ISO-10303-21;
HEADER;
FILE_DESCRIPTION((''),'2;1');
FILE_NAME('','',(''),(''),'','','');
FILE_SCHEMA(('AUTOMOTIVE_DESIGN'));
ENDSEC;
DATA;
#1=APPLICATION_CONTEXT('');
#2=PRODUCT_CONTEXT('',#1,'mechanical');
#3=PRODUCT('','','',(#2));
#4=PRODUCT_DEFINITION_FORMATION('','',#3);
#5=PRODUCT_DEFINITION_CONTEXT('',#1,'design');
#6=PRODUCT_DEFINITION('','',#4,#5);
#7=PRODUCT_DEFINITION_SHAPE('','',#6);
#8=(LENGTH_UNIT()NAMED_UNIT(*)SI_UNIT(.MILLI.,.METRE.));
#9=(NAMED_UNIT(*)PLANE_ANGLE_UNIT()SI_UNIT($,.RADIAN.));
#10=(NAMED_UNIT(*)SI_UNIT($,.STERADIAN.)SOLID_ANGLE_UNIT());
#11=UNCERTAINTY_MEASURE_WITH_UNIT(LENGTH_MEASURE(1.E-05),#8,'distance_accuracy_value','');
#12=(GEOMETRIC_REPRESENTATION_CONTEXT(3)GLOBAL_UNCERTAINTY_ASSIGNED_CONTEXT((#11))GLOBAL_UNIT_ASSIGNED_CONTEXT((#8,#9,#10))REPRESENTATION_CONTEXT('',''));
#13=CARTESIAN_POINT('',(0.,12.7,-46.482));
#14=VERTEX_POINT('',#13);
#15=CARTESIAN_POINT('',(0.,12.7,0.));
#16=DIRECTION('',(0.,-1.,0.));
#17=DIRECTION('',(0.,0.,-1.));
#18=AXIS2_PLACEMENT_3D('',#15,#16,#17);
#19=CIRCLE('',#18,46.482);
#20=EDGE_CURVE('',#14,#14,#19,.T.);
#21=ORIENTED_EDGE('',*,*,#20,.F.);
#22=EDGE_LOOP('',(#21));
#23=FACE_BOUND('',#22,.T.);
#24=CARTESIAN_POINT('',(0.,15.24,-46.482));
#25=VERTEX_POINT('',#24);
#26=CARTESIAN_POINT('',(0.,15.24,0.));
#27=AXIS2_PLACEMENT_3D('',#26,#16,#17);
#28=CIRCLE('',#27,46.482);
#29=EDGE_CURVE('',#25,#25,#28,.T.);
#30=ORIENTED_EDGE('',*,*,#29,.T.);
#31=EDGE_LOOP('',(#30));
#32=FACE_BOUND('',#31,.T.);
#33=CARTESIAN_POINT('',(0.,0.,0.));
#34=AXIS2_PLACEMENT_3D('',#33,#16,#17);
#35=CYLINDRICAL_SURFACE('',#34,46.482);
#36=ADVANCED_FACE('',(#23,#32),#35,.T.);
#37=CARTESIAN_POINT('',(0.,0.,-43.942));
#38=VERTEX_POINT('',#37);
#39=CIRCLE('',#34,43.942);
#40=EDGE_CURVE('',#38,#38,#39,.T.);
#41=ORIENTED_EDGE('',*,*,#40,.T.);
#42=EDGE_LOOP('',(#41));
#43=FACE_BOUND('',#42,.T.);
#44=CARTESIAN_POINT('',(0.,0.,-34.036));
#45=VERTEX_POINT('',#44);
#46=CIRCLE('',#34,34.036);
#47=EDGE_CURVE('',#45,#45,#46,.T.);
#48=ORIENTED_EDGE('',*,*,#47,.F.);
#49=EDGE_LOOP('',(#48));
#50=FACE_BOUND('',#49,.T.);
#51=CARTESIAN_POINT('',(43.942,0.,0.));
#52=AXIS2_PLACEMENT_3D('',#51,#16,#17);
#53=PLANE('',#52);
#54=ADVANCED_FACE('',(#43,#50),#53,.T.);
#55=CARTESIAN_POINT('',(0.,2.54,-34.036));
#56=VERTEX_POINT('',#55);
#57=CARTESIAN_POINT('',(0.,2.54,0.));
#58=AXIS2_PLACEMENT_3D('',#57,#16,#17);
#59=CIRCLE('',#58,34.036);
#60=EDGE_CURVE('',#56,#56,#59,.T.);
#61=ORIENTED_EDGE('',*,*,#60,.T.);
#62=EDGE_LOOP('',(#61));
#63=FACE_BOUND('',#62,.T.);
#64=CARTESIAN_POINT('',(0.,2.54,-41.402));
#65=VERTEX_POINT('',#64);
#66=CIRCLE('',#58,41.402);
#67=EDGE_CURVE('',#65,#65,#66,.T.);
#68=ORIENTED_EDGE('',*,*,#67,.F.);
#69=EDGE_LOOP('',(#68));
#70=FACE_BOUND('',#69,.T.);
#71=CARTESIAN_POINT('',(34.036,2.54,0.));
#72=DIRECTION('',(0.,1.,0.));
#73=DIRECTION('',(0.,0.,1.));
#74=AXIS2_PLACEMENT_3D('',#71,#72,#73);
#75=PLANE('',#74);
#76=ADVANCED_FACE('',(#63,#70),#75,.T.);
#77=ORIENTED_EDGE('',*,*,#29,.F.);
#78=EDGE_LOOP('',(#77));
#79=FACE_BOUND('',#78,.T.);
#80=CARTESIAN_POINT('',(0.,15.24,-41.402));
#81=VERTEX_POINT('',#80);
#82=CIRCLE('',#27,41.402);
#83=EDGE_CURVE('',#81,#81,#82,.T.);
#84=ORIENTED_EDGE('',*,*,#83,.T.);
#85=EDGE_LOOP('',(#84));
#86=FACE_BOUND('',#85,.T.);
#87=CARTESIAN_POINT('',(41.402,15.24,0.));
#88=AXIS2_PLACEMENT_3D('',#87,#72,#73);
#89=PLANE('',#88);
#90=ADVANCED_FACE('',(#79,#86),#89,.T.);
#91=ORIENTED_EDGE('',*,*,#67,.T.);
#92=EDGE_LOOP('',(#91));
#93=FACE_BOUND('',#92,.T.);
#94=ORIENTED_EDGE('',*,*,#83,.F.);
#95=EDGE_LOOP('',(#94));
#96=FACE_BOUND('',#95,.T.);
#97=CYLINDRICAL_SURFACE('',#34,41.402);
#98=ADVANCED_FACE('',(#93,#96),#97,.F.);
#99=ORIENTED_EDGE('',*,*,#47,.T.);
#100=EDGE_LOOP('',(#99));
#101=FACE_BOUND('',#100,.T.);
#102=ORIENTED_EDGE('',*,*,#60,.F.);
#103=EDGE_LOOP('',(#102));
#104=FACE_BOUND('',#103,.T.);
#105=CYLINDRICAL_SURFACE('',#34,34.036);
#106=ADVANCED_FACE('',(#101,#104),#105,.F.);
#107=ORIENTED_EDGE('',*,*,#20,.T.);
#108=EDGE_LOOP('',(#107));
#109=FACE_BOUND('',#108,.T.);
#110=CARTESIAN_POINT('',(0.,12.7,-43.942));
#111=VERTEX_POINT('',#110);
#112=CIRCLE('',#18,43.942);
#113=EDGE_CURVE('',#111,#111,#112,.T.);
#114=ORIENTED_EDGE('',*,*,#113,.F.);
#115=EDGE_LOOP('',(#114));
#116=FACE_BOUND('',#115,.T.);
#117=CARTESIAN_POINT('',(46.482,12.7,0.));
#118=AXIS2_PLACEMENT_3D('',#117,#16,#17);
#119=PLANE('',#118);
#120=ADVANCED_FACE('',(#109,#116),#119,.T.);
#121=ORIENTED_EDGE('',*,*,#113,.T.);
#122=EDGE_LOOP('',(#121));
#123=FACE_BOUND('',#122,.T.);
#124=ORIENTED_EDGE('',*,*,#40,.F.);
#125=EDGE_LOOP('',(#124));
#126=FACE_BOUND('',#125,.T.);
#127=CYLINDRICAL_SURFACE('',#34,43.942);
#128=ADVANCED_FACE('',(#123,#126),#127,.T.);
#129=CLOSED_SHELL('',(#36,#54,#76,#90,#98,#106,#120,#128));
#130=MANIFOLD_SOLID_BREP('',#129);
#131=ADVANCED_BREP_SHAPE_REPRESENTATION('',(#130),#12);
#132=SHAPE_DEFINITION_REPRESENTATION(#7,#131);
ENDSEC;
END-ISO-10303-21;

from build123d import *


with BuildPart() as part:
    # Sketch1 → Revolve1 (revolve)
    with BuildSketch(Plane.XY):
        Polygon((34.036, 0), (34.036, 2.54), (41.402, 2.54), (41.402, 15.24), (46.482, 15.24), (46.482, 12.7), (43.942, 12.7), (43.942, 0), align=None)
    revolve(axis=Axis((0, 0, 0), (0, 1, 0)))


solid = part.part
